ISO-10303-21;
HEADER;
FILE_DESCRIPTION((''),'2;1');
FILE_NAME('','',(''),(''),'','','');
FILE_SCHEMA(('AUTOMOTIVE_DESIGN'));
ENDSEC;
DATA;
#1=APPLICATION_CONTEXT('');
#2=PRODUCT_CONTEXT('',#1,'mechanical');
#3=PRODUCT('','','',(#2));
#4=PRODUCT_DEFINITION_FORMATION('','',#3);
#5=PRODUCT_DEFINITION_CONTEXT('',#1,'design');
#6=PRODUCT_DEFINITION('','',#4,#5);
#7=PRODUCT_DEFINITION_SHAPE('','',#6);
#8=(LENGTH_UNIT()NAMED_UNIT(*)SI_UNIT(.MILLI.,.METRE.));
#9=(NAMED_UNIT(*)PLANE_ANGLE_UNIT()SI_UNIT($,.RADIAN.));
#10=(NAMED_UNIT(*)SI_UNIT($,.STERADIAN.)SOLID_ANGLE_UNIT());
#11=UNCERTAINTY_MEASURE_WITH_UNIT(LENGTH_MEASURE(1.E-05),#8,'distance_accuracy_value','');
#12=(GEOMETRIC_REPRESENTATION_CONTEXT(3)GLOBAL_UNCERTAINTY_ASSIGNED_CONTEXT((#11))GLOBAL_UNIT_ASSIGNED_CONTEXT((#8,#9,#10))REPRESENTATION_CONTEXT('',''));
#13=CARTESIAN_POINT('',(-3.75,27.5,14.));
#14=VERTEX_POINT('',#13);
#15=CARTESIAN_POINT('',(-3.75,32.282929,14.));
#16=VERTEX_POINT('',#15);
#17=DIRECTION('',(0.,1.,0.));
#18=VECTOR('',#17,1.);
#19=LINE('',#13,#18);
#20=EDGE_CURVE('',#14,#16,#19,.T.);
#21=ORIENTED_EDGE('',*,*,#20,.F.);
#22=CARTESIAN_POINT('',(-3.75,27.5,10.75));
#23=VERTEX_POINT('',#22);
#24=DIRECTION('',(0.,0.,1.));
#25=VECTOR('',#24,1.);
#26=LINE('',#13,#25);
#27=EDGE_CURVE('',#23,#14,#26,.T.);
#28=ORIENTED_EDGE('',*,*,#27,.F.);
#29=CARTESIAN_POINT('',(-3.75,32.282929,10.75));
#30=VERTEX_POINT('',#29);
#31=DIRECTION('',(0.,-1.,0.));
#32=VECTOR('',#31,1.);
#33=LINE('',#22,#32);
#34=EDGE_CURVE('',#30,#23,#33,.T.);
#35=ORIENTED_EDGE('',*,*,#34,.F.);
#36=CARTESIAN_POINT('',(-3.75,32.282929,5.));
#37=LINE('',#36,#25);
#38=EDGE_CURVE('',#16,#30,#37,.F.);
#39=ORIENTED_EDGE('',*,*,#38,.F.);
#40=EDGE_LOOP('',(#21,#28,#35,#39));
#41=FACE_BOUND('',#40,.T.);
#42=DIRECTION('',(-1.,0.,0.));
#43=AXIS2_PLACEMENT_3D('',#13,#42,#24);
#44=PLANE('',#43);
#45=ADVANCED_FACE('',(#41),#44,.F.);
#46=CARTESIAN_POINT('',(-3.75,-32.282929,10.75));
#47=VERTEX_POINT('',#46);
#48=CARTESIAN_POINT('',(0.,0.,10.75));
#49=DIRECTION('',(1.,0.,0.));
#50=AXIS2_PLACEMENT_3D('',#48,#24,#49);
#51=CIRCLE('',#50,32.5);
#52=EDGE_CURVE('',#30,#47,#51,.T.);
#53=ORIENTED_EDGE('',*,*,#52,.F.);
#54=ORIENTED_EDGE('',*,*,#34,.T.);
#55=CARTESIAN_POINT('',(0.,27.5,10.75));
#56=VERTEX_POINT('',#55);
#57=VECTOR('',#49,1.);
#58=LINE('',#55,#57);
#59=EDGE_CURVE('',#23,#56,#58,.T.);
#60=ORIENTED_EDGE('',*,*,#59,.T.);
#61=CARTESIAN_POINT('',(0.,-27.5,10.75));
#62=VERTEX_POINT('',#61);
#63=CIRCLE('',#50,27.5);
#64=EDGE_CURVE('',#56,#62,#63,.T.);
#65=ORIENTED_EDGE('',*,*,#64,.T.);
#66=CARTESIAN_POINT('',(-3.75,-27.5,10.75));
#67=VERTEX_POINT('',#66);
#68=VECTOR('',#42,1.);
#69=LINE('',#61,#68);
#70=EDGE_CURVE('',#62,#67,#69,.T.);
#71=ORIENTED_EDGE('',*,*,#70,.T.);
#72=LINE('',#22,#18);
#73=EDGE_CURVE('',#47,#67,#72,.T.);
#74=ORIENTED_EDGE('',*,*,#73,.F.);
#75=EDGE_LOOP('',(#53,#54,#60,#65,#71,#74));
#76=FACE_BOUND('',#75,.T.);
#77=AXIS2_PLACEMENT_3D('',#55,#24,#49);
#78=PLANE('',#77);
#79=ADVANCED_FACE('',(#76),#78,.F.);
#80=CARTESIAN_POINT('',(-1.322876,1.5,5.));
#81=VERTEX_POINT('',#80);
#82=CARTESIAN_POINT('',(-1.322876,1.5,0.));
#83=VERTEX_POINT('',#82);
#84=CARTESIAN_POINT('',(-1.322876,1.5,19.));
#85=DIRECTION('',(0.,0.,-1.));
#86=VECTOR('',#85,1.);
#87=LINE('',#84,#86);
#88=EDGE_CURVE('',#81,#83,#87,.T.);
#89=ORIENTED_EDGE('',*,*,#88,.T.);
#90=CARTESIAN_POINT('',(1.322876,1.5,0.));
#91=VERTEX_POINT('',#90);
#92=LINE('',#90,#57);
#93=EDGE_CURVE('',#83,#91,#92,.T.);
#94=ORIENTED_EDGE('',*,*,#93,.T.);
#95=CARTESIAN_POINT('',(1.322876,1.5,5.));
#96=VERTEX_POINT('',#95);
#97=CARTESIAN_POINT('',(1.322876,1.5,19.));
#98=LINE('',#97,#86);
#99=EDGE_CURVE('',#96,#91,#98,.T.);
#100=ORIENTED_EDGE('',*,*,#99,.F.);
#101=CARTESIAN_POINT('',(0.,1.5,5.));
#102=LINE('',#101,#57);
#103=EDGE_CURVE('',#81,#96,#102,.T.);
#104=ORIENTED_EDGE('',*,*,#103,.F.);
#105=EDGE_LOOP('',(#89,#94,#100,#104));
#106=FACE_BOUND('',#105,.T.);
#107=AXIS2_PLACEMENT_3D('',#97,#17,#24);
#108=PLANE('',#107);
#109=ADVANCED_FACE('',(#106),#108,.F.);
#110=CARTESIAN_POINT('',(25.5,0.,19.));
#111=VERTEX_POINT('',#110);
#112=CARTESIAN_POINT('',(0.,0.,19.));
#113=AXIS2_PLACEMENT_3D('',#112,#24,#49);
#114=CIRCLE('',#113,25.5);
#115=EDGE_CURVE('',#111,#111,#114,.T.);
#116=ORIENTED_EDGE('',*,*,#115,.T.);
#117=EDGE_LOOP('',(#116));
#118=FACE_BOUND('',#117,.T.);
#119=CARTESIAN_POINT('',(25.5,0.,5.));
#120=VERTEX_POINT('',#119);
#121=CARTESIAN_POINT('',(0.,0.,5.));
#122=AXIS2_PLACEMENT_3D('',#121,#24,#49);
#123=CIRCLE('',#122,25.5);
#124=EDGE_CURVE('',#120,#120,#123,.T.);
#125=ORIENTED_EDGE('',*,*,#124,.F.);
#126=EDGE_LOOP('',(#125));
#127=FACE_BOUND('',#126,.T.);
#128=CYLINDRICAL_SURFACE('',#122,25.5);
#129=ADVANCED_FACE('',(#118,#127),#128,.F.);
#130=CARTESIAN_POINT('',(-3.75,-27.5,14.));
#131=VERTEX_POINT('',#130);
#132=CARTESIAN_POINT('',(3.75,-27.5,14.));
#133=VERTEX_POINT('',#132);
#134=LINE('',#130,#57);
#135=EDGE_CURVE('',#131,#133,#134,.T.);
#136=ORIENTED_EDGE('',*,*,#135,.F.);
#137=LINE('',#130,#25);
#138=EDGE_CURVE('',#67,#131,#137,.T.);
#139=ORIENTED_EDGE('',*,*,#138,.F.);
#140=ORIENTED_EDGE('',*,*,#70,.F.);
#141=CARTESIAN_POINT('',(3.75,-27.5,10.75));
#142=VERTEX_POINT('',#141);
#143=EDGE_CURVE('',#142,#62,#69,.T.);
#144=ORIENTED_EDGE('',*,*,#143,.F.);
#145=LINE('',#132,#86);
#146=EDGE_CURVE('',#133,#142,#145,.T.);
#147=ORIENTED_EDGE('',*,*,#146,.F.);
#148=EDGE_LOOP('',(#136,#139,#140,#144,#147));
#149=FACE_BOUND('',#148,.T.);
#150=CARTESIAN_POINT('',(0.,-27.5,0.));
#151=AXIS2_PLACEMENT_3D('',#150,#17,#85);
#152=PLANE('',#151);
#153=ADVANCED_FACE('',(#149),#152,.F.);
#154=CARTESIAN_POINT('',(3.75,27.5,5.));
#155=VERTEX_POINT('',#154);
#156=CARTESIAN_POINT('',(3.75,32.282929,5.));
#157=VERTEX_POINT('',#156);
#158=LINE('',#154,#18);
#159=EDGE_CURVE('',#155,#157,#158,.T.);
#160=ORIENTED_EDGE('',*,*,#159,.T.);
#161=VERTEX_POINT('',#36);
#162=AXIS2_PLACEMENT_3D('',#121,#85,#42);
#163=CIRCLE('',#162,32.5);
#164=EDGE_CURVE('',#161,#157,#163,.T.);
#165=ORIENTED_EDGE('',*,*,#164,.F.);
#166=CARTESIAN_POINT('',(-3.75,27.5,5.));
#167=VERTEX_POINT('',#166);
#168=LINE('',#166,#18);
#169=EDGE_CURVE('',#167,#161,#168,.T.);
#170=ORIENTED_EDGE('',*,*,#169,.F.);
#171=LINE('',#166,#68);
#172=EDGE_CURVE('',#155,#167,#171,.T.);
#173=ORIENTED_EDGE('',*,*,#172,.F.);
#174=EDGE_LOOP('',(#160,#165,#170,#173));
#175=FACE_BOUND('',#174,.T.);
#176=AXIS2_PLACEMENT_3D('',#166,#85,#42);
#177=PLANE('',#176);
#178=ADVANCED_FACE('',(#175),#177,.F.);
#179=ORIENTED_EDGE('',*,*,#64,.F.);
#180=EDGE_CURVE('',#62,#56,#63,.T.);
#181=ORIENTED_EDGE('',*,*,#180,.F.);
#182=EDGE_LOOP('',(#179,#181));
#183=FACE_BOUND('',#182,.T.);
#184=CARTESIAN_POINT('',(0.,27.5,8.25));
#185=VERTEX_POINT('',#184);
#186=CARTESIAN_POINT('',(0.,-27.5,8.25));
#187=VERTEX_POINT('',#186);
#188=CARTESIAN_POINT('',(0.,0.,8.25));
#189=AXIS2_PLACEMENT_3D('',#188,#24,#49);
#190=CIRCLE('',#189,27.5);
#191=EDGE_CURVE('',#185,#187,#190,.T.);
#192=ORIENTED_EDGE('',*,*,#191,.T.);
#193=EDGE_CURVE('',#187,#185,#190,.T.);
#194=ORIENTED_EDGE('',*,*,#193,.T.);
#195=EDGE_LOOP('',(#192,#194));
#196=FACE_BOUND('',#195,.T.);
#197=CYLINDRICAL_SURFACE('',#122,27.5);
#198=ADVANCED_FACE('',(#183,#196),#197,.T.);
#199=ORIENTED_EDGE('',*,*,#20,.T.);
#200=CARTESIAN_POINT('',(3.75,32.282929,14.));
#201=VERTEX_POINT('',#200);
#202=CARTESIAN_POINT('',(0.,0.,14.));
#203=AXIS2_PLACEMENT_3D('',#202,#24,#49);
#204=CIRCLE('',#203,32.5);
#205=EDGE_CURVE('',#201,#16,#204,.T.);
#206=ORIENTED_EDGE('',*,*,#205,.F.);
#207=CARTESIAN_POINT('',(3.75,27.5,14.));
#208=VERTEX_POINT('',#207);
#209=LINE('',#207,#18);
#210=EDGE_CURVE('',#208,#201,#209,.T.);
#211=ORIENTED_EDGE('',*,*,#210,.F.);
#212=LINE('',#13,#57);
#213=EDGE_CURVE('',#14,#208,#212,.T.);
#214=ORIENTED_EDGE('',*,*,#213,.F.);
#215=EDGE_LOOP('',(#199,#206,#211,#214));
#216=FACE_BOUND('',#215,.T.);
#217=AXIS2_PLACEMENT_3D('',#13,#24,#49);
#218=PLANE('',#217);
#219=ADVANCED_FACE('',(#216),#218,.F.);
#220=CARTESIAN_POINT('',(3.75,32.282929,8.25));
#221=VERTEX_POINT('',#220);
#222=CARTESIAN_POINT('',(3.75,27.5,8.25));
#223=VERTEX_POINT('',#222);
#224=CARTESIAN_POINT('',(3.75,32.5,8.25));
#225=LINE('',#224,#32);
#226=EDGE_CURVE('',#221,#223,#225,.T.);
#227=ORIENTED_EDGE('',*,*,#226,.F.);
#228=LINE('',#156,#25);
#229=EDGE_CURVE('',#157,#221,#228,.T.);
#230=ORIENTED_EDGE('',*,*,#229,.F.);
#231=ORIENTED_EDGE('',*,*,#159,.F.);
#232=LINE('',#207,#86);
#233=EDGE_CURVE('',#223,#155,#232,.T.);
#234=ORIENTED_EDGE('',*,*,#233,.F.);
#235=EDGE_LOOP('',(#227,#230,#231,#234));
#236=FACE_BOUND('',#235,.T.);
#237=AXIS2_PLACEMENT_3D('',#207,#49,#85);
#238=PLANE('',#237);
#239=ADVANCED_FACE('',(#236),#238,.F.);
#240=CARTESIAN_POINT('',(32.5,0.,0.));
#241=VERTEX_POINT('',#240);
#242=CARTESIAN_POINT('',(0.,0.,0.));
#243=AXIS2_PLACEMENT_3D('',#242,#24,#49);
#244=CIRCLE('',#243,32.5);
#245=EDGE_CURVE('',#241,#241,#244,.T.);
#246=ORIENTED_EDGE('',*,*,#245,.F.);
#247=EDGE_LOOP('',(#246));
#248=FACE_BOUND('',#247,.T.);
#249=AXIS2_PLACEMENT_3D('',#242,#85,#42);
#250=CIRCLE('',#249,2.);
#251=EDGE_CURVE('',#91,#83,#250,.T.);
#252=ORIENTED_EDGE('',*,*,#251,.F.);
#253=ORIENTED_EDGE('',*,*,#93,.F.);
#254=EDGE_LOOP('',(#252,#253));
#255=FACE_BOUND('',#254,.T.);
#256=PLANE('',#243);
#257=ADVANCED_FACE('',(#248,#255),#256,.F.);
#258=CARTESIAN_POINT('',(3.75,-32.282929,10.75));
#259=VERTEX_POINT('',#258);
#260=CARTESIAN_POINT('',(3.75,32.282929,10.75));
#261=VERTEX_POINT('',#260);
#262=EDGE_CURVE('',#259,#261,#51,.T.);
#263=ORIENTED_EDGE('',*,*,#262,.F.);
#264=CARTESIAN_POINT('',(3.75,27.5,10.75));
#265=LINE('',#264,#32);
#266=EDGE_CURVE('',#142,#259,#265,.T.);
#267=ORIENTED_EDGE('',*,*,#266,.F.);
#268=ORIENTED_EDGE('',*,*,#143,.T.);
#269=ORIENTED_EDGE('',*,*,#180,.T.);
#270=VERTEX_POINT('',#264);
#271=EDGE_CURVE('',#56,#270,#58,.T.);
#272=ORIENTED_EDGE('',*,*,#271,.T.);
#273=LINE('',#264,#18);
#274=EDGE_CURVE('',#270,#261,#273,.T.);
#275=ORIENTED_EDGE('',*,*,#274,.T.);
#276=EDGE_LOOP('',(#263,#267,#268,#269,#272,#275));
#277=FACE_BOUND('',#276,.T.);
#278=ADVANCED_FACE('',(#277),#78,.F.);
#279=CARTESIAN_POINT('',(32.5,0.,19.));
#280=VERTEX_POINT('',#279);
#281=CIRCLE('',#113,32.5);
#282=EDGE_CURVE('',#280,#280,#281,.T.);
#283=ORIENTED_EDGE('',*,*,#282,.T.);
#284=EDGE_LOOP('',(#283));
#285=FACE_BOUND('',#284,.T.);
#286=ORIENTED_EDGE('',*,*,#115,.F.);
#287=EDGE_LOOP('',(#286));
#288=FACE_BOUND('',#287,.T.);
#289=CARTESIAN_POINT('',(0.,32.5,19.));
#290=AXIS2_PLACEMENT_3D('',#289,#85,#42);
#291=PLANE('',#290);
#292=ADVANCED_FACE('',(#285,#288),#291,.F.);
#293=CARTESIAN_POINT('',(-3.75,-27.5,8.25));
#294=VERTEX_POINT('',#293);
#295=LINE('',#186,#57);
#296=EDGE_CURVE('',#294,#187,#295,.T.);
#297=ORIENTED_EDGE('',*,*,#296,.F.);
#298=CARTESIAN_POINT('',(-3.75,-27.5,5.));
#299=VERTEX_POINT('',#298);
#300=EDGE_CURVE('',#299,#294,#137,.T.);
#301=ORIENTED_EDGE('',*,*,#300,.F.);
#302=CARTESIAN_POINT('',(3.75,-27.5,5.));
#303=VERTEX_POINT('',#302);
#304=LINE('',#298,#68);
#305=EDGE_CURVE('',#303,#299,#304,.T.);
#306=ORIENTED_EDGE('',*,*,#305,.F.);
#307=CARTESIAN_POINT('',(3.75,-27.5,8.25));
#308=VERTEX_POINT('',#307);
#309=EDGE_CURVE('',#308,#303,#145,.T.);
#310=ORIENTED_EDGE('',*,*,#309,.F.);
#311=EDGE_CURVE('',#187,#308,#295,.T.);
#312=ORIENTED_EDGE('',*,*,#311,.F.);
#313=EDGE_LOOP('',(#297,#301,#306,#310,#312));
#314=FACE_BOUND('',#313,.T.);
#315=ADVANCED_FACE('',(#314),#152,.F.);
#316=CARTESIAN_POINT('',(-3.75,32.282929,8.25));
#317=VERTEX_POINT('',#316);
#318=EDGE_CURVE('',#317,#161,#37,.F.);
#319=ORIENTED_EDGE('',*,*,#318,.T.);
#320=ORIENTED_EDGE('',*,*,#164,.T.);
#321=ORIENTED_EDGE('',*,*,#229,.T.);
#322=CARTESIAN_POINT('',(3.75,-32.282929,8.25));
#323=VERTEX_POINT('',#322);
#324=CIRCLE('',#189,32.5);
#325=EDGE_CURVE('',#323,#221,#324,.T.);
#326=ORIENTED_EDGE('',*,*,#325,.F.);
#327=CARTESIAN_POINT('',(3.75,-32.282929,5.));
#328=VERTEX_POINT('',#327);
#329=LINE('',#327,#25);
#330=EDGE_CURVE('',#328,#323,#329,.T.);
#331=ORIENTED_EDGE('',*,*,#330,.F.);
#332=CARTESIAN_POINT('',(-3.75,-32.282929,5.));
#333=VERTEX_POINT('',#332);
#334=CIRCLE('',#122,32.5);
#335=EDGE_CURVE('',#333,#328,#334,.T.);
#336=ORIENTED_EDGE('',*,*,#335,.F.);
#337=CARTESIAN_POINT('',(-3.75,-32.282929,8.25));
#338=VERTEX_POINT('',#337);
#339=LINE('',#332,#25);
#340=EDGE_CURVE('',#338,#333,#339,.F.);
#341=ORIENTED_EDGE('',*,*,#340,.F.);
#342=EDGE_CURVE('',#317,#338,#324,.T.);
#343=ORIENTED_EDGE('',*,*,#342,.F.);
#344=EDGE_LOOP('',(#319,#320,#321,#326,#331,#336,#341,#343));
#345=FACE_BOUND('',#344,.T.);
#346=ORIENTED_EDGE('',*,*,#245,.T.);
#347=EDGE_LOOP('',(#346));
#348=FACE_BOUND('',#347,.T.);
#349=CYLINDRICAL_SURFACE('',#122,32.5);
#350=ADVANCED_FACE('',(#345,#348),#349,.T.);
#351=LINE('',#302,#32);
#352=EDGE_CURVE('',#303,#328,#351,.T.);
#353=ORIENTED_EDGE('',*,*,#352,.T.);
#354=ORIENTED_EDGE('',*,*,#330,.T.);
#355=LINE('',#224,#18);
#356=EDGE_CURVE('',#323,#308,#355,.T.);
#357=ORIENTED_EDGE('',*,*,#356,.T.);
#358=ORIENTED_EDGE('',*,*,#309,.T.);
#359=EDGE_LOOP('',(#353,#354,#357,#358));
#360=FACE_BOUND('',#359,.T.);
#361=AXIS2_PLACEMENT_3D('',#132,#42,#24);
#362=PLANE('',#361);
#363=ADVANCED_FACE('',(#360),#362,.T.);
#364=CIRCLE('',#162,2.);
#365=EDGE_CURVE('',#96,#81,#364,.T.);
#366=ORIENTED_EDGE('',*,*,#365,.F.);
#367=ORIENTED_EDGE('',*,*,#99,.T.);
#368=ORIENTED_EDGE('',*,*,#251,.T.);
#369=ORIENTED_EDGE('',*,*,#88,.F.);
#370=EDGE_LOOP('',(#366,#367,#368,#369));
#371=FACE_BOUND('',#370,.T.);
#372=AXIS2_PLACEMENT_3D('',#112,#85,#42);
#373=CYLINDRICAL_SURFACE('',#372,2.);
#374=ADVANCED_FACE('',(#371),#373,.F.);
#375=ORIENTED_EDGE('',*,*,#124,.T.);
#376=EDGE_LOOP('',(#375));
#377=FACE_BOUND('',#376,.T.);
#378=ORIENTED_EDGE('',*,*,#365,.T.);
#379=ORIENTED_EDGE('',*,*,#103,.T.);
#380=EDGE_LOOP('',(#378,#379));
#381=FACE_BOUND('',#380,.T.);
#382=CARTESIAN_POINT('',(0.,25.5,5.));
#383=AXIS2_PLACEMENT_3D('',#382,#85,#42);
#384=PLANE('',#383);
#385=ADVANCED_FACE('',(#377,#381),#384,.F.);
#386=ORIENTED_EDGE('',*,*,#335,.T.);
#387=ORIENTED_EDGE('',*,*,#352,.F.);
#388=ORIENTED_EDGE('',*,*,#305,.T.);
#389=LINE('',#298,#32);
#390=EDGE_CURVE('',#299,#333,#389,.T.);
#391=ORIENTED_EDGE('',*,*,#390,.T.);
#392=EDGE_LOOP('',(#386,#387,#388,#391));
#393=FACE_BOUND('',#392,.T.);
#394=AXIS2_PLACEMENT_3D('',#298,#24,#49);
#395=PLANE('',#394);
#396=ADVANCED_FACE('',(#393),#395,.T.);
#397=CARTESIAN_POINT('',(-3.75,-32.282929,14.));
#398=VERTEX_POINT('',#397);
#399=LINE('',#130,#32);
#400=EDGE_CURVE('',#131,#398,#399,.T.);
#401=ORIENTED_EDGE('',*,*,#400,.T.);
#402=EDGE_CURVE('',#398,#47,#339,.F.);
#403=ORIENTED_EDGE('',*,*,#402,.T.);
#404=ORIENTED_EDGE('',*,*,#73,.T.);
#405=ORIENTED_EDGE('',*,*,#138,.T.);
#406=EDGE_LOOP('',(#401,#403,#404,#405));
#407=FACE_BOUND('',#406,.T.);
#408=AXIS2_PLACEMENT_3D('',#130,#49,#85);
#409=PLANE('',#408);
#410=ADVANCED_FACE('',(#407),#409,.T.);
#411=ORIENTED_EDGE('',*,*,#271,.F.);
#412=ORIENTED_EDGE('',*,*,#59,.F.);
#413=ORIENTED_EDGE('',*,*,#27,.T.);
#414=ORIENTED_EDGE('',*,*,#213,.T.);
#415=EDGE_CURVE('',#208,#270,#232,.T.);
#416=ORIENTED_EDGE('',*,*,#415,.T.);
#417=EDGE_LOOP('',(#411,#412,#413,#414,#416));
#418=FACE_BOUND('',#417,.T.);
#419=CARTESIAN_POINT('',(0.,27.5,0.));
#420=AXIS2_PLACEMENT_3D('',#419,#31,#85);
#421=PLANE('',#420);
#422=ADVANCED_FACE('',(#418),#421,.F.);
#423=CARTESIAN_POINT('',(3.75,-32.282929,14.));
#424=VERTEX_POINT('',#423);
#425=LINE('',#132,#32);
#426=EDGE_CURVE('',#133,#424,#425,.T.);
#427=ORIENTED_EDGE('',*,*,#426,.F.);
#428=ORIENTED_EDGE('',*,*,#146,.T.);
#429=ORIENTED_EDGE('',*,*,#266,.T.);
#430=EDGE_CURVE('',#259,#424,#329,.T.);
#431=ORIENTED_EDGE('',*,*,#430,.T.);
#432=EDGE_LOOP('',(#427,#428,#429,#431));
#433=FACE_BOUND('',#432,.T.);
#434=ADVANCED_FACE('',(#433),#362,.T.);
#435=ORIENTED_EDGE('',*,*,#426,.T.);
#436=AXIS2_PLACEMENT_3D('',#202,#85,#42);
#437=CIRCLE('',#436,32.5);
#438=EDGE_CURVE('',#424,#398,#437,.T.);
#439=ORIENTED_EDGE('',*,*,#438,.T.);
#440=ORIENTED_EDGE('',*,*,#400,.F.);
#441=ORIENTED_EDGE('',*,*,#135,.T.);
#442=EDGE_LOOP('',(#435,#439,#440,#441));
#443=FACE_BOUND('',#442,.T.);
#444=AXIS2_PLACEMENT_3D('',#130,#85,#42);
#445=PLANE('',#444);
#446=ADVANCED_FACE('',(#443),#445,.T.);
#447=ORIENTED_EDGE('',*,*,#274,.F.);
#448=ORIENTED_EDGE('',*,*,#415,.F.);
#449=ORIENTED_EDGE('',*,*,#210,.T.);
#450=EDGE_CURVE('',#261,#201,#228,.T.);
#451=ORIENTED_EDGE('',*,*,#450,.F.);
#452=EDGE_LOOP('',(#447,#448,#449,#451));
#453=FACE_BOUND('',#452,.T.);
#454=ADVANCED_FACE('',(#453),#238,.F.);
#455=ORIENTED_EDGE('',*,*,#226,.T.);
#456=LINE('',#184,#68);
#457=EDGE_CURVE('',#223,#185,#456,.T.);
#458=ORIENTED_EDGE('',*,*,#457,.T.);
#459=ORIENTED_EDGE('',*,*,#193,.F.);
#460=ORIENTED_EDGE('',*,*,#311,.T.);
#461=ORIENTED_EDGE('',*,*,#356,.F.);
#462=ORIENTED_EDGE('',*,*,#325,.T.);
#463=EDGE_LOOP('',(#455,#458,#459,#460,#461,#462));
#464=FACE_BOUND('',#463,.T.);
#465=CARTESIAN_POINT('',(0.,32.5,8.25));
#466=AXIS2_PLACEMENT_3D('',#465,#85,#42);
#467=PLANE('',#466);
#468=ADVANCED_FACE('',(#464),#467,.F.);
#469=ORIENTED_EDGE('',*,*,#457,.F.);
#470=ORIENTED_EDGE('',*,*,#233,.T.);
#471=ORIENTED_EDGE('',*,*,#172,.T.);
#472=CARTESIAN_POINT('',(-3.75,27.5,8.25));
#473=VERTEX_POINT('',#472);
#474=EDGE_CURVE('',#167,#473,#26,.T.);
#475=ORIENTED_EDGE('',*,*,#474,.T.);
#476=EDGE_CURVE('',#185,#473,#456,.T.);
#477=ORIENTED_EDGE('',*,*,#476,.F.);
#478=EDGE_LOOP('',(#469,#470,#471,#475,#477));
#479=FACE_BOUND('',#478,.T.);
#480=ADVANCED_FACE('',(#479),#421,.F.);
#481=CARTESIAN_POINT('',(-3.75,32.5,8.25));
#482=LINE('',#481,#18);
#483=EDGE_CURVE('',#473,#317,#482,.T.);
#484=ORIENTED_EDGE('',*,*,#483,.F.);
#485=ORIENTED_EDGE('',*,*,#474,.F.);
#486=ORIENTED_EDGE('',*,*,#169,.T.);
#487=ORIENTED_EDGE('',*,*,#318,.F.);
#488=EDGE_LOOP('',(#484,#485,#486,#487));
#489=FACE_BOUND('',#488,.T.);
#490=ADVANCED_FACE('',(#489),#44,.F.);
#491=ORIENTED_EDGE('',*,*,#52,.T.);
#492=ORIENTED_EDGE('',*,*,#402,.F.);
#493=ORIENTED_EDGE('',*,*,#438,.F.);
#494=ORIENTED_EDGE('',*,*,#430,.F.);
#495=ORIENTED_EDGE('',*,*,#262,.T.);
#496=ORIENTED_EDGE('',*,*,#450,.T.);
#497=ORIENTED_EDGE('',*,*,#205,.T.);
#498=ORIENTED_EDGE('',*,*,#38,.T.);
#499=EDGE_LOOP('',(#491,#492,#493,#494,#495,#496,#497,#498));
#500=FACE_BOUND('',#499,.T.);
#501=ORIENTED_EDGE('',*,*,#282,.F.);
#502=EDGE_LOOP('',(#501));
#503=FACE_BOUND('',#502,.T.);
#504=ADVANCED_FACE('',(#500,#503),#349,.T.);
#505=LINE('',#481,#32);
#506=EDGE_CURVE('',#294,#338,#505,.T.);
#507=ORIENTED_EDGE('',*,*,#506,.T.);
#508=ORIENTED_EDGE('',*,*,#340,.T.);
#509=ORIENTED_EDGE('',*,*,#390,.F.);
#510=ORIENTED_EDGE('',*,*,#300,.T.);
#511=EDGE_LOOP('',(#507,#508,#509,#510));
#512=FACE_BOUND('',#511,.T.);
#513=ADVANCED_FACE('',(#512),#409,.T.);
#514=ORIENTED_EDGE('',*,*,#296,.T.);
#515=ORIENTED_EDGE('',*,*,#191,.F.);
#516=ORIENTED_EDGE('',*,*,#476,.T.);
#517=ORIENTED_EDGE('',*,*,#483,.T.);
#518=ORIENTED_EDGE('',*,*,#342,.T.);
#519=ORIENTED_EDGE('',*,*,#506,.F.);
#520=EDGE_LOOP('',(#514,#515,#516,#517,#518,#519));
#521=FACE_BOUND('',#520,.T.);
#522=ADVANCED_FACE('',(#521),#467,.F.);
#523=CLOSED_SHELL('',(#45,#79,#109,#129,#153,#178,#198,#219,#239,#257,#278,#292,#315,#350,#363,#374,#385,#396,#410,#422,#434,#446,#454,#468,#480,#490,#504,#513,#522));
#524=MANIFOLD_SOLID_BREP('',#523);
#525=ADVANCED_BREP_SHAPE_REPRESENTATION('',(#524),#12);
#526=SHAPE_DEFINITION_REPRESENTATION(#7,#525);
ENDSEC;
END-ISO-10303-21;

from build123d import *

# Parameters (mm, degrees)
SKETCH7_W          = 7.5
SKETCH7_H          = 9
CUT_EXTRUDE1_DEPTH = 5
SHAFT_HOLE_DEPTH   = 50.734294003


with BuildPart() as part:
    # Sketch2 → Revolve1 (revolve)
    with BuildSketch(Plane(origin=(0, 0, 0), x_dir=(0, 0, -1), z_dir=(1, 0, 0)), mode=Mode.PRIVATE) as revolve1_sk:
        Polygon((0, 0), (0, 32.5), (-8.25, 32.5), (-8.25, 27.5), (-10.75, 27.5), (-10.75, 32.5), (-19, 32.5), (-19, 25.5), (-5, 25.5), (-5, 0), align=None)
    revolve(revolve1_sk.sketch.rotate(Axis((0, 0, 5), (0, 0, -1)), 90), axis=Axis((0, 0, 5), (0, 0, -1)))

    # Sketch7 → Cut-Extrude1 (cut)
    with BuildSketch(Plane(origin=(0, 32.5, 0), x_dir=(1, 0, 0), z_dir=(0, 1, 0))):
        with Locations((0, -9.5)):
            Rectangle(SKETCH7_W, SKETCH7_H)
    cut_extrude1 = extrude(amount=-CUT_EXTRUDE1_DEPTH, mode=Mode.SUBTRACT)

    # Mirror1: Cut-Extrude1 across plane
    add(cut_extrude1.mirror(Plane.ZX), mode=Mode.SUBTRACT)

    # Sketch8 → Shaft Hole (cut, through all)
    with BuildSketch(Plane(origin=(0, 0, 0), x_dir=(-1, 0, 0), z_dir=(0, 0, -1))):
        with BuildLine():
            Line((-1.322875656, 1.5), (1.322875656, 1.5))
            ThreePointArc((1.322875656, 1.5), (0, -2), (-1.322875656, 1.5))
        make_face()
    extrude(amount=-SHAFT_HOLE_DEPTH, mode=Mode.SUBTRACT)


solid = part.part
